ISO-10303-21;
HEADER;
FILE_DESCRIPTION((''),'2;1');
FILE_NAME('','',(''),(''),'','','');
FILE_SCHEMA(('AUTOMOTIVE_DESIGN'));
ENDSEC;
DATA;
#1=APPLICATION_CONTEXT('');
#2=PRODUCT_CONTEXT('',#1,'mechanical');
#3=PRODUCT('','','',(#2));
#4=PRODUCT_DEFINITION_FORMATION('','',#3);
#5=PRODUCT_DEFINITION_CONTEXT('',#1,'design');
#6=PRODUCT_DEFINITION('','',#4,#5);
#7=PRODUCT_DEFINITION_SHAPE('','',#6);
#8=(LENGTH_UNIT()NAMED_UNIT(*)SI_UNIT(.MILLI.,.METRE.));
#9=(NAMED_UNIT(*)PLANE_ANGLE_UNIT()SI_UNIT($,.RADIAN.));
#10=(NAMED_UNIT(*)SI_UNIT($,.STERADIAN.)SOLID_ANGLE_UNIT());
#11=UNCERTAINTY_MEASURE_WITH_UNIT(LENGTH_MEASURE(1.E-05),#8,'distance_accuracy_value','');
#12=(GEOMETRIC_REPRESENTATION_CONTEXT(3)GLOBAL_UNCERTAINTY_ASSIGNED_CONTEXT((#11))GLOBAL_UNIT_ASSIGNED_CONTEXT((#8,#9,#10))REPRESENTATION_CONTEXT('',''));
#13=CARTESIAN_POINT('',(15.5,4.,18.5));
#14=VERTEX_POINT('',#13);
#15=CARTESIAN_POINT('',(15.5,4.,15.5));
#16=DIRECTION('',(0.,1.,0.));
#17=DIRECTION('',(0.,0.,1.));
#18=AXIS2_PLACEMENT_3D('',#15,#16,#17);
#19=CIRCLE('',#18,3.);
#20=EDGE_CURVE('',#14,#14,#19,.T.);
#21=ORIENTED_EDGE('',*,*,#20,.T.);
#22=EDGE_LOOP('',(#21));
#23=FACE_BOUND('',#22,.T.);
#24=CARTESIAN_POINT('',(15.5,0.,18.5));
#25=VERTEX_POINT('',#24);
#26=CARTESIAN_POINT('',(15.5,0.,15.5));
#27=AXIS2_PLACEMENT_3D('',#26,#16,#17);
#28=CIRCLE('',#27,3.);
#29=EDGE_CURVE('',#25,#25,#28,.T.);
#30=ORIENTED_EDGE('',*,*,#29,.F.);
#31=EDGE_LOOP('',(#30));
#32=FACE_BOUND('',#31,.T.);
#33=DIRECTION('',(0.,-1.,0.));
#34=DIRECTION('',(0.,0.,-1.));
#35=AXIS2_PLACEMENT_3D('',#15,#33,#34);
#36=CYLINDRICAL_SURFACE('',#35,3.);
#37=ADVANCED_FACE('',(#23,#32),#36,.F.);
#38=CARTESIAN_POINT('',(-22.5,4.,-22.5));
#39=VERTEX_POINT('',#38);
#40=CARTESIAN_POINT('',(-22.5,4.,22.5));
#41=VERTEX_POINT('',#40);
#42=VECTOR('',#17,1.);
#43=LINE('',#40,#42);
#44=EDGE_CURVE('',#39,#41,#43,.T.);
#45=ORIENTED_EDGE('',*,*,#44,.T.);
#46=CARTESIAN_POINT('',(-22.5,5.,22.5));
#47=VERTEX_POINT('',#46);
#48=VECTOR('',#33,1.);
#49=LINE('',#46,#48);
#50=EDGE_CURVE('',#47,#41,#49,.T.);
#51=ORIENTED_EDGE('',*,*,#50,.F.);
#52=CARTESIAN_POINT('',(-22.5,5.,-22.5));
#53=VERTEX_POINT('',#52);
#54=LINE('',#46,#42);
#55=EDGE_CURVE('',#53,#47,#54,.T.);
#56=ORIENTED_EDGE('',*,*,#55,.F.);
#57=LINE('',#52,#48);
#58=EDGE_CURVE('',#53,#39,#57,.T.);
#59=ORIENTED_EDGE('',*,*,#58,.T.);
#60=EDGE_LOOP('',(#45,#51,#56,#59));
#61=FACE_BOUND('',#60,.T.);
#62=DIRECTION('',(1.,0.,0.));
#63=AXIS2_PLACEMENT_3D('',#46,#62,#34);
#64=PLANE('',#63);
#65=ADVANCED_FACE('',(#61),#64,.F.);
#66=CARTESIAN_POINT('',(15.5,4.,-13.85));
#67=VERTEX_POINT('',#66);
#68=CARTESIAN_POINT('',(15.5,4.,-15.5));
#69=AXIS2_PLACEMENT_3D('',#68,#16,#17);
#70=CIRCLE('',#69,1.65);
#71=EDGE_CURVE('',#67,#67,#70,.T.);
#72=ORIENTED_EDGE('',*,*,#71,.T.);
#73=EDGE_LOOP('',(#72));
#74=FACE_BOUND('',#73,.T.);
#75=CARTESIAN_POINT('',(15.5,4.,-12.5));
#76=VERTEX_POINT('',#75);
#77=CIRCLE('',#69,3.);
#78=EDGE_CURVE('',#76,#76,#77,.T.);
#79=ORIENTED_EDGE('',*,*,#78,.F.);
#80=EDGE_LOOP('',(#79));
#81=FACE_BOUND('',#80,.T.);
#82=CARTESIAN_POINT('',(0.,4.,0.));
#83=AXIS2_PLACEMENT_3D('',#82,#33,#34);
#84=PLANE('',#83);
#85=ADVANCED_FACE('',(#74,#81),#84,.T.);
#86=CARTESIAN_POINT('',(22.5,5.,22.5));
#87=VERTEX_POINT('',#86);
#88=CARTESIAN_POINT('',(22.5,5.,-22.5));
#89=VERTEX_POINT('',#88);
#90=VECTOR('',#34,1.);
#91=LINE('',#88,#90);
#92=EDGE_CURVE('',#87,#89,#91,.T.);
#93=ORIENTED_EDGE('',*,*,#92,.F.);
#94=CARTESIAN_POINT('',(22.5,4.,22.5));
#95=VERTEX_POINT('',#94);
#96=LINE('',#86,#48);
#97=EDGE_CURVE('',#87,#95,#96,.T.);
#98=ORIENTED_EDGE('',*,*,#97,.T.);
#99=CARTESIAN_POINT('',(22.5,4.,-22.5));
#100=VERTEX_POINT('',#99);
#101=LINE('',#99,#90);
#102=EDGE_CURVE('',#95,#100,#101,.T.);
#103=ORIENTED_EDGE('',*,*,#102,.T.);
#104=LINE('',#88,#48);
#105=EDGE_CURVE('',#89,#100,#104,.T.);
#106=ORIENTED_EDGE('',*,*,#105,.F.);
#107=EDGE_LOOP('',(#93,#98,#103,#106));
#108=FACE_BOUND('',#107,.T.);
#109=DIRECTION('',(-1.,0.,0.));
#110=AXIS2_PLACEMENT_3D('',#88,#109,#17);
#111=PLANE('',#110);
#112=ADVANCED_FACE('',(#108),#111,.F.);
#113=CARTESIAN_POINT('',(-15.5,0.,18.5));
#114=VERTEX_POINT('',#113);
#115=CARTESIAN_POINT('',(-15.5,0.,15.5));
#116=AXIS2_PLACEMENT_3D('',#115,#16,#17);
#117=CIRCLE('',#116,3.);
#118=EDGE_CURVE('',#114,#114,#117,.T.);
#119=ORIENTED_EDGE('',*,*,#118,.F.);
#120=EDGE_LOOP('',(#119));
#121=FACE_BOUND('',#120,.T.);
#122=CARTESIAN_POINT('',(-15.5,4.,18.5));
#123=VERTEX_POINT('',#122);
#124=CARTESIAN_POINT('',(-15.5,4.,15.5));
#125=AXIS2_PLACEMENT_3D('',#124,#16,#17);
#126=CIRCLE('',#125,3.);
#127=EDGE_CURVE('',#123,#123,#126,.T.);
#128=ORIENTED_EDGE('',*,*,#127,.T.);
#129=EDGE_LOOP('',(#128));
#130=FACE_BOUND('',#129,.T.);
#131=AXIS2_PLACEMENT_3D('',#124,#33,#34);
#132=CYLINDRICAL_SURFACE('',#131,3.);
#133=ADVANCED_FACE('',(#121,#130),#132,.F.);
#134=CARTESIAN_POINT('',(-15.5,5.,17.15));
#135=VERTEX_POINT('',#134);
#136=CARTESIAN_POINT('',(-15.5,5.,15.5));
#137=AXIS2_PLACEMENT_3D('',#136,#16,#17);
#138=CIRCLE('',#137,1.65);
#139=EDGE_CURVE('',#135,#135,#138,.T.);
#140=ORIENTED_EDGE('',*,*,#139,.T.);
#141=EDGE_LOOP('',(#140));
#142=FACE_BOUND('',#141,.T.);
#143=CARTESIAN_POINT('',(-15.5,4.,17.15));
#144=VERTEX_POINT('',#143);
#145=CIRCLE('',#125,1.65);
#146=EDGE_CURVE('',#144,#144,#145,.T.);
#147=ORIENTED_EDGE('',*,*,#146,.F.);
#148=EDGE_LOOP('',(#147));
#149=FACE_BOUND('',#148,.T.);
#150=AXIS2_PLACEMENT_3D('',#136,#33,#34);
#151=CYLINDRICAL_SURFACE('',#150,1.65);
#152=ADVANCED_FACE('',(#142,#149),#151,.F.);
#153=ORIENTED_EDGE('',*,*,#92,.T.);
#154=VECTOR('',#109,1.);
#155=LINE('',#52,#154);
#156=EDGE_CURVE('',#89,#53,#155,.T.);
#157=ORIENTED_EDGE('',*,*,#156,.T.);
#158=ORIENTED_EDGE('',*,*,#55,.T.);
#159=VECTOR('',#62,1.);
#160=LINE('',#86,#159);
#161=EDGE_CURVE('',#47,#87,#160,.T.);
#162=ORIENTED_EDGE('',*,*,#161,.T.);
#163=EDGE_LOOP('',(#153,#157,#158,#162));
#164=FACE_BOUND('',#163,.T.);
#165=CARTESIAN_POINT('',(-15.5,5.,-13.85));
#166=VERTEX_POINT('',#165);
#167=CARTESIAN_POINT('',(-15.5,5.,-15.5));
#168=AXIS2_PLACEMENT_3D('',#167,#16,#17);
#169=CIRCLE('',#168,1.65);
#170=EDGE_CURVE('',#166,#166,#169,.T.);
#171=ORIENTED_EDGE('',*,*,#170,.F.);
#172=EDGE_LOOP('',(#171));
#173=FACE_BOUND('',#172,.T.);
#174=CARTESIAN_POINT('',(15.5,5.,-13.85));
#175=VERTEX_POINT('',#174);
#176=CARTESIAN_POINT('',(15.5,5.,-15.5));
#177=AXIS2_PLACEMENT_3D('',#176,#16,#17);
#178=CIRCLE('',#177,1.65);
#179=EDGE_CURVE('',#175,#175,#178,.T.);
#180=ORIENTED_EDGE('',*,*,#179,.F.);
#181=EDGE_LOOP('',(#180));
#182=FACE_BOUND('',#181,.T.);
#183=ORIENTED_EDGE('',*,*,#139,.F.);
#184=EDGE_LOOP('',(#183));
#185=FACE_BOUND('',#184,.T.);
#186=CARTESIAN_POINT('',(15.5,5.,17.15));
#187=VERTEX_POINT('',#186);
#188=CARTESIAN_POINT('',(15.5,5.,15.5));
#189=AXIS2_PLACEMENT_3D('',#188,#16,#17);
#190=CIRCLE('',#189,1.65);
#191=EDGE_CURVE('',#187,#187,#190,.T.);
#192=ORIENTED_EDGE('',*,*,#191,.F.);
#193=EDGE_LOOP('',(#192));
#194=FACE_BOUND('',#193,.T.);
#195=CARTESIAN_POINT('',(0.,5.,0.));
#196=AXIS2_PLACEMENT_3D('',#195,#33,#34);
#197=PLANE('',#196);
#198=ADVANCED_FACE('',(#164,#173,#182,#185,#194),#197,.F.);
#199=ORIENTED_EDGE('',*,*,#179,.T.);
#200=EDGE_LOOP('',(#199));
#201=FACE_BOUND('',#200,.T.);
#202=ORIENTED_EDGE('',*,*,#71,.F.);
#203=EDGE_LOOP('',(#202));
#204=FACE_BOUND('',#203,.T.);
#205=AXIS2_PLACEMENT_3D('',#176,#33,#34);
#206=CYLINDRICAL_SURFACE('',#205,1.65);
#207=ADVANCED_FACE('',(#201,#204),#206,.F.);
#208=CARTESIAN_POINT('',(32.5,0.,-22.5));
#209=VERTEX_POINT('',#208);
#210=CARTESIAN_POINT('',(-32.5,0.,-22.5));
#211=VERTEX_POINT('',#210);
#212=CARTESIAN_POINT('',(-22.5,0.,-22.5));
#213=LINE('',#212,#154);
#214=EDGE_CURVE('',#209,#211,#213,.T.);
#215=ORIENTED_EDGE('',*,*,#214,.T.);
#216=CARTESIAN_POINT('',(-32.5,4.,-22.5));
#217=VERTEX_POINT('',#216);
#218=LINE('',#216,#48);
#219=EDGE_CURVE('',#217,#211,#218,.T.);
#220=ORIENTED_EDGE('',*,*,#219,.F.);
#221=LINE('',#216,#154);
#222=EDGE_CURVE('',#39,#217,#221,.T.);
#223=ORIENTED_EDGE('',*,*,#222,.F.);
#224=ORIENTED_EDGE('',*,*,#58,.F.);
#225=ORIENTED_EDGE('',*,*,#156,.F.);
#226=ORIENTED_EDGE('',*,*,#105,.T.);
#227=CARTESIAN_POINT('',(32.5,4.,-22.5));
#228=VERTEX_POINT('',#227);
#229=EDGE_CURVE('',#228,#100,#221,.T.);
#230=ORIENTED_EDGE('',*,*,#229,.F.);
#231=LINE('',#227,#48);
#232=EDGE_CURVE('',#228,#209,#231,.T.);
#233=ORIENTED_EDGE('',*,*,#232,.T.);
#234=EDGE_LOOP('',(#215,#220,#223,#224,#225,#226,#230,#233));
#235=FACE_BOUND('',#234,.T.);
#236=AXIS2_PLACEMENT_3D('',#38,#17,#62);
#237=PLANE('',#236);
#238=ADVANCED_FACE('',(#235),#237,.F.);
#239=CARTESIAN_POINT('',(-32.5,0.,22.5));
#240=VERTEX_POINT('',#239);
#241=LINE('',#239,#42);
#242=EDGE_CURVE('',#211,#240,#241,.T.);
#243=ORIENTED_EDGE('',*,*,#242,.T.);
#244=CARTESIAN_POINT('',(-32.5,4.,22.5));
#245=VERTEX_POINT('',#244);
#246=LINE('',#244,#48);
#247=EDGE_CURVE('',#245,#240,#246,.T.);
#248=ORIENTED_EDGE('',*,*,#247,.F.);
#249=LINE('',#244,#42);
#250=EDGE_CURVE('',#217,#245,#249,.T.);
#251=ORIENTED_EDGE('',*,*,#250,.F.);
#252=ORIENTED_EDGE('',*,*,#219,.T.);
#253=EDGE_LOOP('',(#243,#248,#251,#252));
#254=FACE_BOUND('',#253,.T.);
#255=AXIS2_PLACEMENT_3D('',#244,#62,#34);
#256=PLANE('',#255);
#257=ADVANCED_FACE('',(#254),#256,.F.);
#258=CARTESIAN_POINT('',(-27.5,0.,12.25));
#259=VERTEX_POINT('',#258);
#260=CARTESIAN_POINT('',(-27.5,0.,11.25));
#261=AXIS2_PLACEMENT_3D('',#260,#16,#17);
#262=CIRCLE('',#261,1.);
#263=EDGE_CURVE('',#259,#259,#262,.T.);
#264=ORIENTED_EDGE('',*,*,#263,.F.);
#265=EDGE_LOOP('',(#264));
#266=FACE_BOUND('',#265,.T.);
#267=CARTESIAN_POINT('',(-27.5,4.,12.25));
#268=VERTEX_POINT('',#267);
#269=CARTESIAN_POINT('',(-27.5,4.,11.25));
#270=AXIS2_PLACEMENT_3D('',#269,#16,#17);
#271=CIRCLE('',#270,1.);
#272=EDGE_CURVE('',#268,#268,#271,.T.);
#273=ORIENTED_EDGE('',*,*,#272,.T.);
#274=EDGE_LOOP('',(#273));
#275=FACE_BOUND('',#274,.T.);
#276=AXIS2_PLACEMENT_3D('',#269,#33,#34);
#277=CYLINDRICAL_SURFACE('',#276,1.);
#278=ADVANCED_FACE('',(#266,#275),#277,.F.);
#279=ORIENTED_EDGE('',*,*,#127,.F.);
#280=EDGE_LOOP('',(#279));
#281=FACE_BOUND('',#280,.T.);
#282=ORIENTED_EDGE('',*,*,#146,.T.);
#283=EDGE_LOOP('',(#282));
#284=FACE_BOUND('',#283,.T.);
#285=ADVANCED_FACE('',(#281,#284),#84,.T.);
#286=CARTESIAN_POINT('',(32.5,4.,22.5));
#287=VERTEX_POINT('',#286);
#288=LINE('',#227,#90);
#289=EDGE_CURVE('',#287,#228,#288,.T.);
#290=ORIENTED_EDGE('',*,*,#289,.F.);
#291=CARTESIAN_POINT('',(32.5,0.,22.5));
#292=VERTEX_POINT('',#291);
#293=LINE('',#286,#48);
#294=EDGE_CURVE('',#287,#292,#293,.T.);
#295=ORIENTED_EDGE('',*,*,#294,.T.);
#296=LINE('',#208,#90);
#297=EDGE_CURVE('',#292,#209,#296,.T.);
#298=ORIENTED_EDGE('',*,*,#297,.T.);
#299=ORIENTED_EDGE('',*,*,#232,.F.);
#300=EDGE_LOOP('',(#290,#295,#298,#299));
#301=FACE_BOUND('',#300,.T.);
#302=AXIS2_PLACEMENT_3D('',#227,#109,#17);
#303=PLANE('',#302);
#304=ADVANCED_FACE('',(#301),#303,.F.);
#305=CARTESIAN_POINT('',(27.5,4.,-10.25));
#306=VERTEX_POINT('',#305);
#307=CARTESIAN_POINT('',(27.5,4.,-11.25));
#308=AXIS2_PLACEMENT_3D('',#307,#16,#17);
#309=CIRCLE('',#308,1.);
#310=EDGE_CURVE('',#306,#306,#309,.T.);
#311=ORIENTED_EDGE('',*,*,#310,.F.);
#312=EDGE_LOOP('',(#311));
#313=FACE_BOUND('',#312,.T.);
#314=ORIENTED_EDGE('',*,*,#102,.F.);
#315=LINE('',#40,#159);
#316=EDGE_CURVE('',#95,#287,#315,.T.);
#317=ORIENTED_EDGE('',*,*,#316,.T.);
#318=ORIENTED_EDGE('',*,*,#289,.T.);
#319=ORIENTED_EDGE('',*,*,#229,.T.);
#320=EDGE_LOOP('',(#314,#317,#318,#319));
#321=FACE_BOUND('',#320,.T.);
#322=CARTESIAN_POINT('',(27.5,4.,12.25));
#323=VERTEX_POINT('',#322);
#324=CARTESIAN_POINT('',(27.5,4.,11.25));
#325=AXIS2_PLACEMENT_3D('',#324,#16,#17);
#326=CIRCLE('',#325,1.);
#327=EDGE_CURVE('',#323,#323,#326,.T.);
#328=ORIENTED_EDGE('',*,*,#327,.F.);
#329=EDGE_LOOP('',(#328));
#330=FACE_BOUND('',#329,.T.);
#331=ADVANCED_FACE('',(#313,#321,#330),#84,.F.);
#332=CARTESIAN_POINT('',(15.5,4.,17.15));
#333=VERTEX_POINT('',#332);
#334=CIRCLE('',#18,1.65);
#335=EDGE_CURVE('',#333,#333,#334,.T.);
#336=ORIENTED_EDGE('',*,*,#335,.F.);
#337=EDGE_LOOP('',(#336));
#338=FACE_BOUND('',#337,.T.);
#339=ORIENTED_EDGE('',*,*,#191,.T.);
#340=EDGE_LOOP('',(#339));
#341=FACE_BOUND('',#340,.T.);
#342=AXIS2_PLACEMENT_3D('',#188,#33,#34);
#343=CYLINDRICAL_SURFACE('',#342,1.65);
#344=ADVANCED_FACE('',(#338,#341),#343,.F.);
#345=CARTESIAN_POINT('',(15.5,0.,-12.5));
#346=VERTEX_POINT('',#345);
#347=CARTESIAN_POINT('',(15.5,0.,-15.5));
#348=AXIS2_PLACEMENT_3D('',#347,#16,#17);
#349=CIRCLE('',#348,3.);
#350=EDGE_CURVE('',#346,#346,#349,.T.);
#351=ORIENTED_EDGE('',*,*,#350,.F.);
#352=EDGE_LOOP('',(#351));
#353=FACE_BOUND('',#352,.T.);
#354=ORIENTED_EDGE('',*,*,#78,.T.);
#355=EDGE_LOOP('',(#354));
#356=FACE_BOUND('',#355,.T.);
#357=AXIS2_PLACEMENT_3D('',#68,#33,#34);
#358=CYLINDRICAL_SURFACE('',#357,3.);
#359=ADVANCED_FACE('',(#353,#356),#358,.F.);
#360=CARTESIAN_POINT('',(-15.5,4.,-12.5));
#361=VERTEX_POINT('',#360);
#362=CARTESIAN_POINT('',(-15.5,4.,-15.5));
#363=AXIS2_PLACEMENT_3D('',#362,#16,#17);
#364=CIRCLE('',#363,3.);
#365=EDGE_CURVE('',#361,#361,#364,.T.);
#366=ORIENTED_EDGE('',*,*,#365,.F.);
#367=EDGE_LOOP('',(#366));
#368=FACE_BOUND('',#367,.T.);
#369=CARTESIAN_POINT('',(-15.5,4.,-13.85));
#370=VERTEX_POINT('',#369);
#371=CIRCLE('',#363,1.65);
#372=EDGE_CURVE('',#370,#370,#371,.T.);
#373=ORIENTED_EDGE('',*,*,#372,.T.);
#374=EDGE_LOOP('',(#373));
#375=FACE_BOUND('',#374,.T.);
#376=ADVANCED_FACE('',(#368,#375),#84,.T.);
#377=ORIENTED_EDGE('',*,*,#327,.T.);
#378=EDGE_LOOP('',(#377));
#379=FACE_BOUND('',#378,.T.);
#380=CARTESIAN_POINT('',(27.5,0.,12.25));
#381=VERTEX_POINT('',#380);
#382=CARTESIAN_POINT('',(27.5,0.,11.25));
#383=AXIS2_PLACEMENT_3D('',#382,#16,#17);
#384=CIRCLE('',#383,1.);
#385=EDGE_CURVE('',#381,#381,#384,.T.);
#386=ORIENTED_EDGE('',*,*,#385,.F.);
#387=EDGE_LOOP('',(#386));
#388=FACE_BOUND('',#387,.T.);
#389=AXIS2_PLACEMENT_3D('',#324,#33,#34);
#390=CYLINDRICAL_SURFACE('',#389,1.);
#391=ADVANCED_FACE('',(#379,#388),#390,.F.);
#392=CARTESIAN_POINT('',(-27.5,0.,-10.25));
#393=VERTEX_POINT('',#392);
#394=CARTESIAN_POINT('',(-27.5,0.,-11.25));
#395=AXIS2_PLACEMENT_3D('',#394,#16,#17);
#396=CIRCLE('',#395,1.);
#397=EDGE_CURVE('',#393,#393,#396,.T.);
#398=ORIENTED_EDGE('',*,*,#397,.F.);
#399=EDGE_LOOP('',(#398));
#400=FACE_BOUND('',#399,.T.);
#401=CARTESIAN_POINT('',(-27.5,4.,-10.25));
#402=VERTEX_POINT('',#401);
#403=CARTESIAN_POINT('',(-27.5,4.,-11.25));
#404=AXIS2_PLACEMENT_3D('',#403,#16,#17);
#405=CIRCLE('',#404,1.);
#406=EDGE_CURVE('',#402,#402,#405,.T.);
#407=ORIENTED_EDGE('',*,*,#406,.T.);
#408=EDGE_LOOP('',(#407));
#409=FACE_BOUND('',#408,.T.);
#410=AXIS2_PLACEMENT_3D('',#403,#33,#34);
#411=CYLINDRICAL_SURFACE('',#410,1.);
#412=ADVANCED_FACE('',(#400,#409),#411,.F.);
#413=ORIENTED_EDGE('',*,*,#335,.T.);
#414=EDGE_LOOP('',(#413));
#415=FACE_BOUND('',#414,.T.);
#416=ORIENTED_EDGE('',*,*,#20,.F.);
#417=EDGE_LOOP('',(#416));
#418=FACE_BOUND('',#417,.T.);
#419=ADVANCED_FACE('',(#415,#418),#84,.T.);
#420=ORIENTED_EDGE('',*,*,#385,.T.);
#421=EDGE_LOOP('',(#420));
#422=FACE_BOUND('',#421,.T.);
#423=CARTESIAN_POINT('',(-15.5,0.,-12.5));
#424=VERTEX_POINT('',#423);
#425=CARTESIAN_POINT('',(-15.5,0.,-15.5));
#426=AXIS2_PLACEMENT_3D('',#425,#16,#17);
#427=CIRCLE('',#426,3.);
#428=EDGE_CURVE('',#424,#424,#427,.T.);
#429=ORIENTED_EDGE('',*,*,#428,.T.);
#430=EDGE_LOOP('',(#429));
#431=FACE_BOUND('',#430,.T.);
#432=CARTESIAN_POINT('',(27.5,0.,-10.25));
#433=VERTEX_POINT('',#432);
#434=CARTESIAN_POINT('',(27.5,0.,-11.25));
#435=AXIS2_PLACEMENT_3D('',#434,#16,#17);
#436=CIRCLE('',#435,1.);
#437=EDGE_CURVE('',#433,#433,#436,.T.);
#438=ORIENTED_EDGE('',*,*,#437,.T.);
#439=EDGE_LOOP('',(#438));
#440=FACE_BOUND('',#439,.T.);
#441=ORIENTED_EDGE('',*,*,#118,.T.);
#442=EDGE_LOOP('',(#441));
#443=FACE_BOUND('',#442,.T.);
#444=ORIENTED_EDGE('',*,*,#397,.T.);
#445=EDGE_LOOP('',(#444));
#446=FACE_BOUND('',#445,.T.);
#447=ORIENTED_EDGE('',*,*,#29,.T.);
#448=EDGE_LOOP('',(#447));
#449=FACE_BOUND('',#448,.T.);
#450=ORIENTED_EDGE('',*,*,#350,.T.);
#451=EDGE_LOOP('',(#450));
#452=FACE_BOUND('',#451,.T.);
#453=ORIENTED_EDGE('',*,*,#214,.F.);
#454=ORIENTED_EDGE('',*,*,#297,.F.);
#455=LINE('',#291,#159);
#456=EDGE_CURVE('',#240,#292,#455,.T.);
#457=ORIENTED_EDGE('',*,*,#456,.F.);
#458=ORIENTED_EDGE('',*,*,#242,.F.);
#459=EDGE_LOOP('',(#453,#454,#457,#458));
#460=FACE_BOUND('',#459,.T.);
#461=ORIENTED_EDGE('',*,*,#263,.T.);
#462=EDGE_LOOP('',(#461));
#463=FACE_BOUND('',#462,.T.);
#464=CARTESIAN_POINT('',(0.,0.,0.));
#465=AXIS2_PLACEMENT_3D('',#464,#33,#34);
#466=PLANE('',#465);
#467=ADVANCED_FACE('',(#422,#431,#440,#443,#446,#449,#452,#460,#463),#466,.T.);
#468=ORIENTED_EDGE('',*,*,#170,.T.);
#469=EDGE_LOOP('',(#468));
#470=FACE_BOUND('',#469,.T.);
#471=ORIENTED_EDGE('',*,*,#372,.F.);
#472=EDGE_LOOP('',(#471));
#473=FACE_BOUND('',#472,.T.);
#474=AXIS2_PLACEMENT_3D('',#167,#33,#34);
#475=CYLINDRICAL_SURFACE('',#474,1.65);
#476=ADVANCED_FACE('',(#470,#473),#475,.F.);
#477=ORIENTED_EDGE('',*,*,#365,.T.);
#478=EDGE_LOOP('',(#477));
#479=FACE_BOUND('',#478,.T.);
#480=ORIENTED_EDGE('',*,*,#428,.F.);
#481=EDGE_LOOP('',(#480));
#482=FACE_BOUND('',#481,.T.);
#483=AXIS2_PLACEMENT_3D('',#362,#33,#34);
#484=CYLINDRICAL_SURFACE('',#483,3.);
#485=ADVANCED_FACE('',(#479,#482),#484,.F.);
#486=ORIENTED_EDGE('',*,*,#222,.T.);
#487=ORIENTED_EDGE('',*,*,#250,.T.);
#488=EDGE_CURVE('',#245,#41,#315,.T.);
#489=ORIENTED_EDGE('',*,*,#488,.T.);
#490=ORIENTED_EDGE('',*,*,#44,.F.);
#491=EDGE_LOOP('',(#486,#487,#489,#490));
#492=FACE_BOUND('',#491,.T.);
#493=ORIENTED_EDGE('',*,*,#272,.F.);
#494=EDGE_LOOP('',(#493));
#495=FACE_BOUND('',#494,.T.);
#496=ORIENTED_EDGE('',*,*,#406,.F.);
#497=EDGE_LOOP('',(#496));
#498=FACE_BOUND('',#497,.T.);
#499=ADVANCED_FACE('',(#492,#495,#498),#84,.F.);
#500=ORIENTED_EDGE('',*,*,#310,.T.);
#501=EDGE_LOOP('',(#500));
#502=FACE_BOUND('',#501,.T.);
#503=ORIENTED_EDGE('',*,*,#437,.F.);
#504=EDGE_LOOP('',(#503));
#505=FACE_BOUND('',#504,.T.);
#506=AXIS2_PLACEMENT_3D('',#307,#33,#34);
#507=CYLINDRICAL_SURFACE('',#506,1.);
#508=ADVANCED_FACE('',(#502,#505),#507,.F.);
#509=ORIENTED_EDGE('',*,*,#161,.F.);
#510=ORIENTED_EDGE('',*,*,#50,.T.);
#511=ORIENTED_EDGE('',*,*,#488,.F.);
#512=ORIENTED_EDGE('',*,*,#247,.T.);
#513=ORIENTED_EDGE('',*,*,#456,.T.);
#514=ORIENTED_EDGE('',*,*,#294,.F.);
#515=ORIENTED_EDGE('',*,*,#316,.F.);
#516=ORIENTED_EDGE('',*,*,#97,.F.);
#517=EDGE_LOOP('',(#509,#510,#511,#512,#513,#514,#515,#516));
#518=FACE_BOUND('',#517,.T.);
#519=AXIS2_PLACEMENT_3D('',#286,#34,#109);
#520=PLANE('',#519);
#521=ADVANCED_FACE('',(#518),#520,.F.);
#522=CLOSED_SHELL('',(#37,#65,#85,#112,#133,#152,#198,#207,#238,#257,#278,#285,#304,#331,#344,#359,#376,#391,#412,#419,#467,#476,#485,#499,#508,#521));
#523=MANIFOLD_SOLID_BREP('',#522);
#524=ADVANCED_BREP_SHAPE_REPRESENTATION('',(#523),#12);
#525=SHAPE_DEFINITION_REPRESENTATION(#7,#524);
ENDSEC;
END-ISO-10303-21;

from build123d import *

# Parameters (mm, degrees)
SKETCH1_R           = 3
SKETCH1_R_2         = 1
BOSS_EXTRUDE1_DEPTH = 4
SKETCH2_W           = 45
SKETCH2_H           = 45
SKETCH2_R           = 1.65
BOSS_EXTRUDE2_DEPTH = 1


with BuildPart() as part:
    # Sketch1 → Boss-Extrude1 (new body)
    with BuildSketch(Plane(origin=(0, 0, 0), x_dir=(1, 0, 0), z_dir=(0, 1, 0))):
        Polygon((-22.5, -22.5), (-32.5, -22.5), (-32.5, 22.5), (-22.5, 22.5), (22.5, 22.5), (32.5, 22.5), (32.5, -22.5), (22.5, -22.5), align=None)
        with Locations((-15.5, 15.5)):
            Circle(SKETCH1_R, mode=Mode.SUBTRACT)
        with Locations((15.5, 15.5)):
            Circle(SKETCH1_R, mode=Mode.SUBTRACT)
        with Locations((15.5, -15.5)):
            Circle(SKETCH1_R, mode=Mode.SUBTRACT)
        with Locations((-15.5, -15.5)):
            Circle(SKETCH1_R, mode=Mode.SUBTRACT)
        with Locations((-27.5, 11.25)):
            Circle(SKETCH1_R_2, mode=Mode.SUBTRACT)
        with Locations((-27.5, -11.25)):
            Circle(SKETCH1_R_2, mode=Mode.SUBTRACT)
        with Locations((27.5, 11.25)):
            Circle(SKETCH1_R_2, mode=Mode.SUBTRACT)
        with Locations((27.5, -11.25)):
            Circle(SKETCH1_R_2, mode=Mode.SUBTRACT)
    extrude(amount=BOSS_EXTRUDE1_DEPTH)

    # Sketch2 → Boss-Extrude2 (add)
    with BuildSketch(Plane(origin=(0, 4, 0), x_dir=(1, 0, 0), z_dir=(0, 1, 0))):
        Rectangle(SKETCH2_W, SKETCH2_H)
        with Locations((-15.5, -15.5)):
            Circle(SKETCH2_R, mode=Mode.SUBTRACT)
        with Locations((15.5, -15.5)):
            Circle(SKETCH2_R, mode=Mode.SUBTRACT)
        with Locations((15.5, 15.5)):
            Circle(SKETCH2_R, mode=Mode.SUBTRACT)
        with Locations((-15.5, 15.5)):
            Circle(SKETCH2_R, mode=Mode.SUBTRACT)
    extrude(amount=BOSS_EXTRUDE2_DEPTH)


solid = part.part
